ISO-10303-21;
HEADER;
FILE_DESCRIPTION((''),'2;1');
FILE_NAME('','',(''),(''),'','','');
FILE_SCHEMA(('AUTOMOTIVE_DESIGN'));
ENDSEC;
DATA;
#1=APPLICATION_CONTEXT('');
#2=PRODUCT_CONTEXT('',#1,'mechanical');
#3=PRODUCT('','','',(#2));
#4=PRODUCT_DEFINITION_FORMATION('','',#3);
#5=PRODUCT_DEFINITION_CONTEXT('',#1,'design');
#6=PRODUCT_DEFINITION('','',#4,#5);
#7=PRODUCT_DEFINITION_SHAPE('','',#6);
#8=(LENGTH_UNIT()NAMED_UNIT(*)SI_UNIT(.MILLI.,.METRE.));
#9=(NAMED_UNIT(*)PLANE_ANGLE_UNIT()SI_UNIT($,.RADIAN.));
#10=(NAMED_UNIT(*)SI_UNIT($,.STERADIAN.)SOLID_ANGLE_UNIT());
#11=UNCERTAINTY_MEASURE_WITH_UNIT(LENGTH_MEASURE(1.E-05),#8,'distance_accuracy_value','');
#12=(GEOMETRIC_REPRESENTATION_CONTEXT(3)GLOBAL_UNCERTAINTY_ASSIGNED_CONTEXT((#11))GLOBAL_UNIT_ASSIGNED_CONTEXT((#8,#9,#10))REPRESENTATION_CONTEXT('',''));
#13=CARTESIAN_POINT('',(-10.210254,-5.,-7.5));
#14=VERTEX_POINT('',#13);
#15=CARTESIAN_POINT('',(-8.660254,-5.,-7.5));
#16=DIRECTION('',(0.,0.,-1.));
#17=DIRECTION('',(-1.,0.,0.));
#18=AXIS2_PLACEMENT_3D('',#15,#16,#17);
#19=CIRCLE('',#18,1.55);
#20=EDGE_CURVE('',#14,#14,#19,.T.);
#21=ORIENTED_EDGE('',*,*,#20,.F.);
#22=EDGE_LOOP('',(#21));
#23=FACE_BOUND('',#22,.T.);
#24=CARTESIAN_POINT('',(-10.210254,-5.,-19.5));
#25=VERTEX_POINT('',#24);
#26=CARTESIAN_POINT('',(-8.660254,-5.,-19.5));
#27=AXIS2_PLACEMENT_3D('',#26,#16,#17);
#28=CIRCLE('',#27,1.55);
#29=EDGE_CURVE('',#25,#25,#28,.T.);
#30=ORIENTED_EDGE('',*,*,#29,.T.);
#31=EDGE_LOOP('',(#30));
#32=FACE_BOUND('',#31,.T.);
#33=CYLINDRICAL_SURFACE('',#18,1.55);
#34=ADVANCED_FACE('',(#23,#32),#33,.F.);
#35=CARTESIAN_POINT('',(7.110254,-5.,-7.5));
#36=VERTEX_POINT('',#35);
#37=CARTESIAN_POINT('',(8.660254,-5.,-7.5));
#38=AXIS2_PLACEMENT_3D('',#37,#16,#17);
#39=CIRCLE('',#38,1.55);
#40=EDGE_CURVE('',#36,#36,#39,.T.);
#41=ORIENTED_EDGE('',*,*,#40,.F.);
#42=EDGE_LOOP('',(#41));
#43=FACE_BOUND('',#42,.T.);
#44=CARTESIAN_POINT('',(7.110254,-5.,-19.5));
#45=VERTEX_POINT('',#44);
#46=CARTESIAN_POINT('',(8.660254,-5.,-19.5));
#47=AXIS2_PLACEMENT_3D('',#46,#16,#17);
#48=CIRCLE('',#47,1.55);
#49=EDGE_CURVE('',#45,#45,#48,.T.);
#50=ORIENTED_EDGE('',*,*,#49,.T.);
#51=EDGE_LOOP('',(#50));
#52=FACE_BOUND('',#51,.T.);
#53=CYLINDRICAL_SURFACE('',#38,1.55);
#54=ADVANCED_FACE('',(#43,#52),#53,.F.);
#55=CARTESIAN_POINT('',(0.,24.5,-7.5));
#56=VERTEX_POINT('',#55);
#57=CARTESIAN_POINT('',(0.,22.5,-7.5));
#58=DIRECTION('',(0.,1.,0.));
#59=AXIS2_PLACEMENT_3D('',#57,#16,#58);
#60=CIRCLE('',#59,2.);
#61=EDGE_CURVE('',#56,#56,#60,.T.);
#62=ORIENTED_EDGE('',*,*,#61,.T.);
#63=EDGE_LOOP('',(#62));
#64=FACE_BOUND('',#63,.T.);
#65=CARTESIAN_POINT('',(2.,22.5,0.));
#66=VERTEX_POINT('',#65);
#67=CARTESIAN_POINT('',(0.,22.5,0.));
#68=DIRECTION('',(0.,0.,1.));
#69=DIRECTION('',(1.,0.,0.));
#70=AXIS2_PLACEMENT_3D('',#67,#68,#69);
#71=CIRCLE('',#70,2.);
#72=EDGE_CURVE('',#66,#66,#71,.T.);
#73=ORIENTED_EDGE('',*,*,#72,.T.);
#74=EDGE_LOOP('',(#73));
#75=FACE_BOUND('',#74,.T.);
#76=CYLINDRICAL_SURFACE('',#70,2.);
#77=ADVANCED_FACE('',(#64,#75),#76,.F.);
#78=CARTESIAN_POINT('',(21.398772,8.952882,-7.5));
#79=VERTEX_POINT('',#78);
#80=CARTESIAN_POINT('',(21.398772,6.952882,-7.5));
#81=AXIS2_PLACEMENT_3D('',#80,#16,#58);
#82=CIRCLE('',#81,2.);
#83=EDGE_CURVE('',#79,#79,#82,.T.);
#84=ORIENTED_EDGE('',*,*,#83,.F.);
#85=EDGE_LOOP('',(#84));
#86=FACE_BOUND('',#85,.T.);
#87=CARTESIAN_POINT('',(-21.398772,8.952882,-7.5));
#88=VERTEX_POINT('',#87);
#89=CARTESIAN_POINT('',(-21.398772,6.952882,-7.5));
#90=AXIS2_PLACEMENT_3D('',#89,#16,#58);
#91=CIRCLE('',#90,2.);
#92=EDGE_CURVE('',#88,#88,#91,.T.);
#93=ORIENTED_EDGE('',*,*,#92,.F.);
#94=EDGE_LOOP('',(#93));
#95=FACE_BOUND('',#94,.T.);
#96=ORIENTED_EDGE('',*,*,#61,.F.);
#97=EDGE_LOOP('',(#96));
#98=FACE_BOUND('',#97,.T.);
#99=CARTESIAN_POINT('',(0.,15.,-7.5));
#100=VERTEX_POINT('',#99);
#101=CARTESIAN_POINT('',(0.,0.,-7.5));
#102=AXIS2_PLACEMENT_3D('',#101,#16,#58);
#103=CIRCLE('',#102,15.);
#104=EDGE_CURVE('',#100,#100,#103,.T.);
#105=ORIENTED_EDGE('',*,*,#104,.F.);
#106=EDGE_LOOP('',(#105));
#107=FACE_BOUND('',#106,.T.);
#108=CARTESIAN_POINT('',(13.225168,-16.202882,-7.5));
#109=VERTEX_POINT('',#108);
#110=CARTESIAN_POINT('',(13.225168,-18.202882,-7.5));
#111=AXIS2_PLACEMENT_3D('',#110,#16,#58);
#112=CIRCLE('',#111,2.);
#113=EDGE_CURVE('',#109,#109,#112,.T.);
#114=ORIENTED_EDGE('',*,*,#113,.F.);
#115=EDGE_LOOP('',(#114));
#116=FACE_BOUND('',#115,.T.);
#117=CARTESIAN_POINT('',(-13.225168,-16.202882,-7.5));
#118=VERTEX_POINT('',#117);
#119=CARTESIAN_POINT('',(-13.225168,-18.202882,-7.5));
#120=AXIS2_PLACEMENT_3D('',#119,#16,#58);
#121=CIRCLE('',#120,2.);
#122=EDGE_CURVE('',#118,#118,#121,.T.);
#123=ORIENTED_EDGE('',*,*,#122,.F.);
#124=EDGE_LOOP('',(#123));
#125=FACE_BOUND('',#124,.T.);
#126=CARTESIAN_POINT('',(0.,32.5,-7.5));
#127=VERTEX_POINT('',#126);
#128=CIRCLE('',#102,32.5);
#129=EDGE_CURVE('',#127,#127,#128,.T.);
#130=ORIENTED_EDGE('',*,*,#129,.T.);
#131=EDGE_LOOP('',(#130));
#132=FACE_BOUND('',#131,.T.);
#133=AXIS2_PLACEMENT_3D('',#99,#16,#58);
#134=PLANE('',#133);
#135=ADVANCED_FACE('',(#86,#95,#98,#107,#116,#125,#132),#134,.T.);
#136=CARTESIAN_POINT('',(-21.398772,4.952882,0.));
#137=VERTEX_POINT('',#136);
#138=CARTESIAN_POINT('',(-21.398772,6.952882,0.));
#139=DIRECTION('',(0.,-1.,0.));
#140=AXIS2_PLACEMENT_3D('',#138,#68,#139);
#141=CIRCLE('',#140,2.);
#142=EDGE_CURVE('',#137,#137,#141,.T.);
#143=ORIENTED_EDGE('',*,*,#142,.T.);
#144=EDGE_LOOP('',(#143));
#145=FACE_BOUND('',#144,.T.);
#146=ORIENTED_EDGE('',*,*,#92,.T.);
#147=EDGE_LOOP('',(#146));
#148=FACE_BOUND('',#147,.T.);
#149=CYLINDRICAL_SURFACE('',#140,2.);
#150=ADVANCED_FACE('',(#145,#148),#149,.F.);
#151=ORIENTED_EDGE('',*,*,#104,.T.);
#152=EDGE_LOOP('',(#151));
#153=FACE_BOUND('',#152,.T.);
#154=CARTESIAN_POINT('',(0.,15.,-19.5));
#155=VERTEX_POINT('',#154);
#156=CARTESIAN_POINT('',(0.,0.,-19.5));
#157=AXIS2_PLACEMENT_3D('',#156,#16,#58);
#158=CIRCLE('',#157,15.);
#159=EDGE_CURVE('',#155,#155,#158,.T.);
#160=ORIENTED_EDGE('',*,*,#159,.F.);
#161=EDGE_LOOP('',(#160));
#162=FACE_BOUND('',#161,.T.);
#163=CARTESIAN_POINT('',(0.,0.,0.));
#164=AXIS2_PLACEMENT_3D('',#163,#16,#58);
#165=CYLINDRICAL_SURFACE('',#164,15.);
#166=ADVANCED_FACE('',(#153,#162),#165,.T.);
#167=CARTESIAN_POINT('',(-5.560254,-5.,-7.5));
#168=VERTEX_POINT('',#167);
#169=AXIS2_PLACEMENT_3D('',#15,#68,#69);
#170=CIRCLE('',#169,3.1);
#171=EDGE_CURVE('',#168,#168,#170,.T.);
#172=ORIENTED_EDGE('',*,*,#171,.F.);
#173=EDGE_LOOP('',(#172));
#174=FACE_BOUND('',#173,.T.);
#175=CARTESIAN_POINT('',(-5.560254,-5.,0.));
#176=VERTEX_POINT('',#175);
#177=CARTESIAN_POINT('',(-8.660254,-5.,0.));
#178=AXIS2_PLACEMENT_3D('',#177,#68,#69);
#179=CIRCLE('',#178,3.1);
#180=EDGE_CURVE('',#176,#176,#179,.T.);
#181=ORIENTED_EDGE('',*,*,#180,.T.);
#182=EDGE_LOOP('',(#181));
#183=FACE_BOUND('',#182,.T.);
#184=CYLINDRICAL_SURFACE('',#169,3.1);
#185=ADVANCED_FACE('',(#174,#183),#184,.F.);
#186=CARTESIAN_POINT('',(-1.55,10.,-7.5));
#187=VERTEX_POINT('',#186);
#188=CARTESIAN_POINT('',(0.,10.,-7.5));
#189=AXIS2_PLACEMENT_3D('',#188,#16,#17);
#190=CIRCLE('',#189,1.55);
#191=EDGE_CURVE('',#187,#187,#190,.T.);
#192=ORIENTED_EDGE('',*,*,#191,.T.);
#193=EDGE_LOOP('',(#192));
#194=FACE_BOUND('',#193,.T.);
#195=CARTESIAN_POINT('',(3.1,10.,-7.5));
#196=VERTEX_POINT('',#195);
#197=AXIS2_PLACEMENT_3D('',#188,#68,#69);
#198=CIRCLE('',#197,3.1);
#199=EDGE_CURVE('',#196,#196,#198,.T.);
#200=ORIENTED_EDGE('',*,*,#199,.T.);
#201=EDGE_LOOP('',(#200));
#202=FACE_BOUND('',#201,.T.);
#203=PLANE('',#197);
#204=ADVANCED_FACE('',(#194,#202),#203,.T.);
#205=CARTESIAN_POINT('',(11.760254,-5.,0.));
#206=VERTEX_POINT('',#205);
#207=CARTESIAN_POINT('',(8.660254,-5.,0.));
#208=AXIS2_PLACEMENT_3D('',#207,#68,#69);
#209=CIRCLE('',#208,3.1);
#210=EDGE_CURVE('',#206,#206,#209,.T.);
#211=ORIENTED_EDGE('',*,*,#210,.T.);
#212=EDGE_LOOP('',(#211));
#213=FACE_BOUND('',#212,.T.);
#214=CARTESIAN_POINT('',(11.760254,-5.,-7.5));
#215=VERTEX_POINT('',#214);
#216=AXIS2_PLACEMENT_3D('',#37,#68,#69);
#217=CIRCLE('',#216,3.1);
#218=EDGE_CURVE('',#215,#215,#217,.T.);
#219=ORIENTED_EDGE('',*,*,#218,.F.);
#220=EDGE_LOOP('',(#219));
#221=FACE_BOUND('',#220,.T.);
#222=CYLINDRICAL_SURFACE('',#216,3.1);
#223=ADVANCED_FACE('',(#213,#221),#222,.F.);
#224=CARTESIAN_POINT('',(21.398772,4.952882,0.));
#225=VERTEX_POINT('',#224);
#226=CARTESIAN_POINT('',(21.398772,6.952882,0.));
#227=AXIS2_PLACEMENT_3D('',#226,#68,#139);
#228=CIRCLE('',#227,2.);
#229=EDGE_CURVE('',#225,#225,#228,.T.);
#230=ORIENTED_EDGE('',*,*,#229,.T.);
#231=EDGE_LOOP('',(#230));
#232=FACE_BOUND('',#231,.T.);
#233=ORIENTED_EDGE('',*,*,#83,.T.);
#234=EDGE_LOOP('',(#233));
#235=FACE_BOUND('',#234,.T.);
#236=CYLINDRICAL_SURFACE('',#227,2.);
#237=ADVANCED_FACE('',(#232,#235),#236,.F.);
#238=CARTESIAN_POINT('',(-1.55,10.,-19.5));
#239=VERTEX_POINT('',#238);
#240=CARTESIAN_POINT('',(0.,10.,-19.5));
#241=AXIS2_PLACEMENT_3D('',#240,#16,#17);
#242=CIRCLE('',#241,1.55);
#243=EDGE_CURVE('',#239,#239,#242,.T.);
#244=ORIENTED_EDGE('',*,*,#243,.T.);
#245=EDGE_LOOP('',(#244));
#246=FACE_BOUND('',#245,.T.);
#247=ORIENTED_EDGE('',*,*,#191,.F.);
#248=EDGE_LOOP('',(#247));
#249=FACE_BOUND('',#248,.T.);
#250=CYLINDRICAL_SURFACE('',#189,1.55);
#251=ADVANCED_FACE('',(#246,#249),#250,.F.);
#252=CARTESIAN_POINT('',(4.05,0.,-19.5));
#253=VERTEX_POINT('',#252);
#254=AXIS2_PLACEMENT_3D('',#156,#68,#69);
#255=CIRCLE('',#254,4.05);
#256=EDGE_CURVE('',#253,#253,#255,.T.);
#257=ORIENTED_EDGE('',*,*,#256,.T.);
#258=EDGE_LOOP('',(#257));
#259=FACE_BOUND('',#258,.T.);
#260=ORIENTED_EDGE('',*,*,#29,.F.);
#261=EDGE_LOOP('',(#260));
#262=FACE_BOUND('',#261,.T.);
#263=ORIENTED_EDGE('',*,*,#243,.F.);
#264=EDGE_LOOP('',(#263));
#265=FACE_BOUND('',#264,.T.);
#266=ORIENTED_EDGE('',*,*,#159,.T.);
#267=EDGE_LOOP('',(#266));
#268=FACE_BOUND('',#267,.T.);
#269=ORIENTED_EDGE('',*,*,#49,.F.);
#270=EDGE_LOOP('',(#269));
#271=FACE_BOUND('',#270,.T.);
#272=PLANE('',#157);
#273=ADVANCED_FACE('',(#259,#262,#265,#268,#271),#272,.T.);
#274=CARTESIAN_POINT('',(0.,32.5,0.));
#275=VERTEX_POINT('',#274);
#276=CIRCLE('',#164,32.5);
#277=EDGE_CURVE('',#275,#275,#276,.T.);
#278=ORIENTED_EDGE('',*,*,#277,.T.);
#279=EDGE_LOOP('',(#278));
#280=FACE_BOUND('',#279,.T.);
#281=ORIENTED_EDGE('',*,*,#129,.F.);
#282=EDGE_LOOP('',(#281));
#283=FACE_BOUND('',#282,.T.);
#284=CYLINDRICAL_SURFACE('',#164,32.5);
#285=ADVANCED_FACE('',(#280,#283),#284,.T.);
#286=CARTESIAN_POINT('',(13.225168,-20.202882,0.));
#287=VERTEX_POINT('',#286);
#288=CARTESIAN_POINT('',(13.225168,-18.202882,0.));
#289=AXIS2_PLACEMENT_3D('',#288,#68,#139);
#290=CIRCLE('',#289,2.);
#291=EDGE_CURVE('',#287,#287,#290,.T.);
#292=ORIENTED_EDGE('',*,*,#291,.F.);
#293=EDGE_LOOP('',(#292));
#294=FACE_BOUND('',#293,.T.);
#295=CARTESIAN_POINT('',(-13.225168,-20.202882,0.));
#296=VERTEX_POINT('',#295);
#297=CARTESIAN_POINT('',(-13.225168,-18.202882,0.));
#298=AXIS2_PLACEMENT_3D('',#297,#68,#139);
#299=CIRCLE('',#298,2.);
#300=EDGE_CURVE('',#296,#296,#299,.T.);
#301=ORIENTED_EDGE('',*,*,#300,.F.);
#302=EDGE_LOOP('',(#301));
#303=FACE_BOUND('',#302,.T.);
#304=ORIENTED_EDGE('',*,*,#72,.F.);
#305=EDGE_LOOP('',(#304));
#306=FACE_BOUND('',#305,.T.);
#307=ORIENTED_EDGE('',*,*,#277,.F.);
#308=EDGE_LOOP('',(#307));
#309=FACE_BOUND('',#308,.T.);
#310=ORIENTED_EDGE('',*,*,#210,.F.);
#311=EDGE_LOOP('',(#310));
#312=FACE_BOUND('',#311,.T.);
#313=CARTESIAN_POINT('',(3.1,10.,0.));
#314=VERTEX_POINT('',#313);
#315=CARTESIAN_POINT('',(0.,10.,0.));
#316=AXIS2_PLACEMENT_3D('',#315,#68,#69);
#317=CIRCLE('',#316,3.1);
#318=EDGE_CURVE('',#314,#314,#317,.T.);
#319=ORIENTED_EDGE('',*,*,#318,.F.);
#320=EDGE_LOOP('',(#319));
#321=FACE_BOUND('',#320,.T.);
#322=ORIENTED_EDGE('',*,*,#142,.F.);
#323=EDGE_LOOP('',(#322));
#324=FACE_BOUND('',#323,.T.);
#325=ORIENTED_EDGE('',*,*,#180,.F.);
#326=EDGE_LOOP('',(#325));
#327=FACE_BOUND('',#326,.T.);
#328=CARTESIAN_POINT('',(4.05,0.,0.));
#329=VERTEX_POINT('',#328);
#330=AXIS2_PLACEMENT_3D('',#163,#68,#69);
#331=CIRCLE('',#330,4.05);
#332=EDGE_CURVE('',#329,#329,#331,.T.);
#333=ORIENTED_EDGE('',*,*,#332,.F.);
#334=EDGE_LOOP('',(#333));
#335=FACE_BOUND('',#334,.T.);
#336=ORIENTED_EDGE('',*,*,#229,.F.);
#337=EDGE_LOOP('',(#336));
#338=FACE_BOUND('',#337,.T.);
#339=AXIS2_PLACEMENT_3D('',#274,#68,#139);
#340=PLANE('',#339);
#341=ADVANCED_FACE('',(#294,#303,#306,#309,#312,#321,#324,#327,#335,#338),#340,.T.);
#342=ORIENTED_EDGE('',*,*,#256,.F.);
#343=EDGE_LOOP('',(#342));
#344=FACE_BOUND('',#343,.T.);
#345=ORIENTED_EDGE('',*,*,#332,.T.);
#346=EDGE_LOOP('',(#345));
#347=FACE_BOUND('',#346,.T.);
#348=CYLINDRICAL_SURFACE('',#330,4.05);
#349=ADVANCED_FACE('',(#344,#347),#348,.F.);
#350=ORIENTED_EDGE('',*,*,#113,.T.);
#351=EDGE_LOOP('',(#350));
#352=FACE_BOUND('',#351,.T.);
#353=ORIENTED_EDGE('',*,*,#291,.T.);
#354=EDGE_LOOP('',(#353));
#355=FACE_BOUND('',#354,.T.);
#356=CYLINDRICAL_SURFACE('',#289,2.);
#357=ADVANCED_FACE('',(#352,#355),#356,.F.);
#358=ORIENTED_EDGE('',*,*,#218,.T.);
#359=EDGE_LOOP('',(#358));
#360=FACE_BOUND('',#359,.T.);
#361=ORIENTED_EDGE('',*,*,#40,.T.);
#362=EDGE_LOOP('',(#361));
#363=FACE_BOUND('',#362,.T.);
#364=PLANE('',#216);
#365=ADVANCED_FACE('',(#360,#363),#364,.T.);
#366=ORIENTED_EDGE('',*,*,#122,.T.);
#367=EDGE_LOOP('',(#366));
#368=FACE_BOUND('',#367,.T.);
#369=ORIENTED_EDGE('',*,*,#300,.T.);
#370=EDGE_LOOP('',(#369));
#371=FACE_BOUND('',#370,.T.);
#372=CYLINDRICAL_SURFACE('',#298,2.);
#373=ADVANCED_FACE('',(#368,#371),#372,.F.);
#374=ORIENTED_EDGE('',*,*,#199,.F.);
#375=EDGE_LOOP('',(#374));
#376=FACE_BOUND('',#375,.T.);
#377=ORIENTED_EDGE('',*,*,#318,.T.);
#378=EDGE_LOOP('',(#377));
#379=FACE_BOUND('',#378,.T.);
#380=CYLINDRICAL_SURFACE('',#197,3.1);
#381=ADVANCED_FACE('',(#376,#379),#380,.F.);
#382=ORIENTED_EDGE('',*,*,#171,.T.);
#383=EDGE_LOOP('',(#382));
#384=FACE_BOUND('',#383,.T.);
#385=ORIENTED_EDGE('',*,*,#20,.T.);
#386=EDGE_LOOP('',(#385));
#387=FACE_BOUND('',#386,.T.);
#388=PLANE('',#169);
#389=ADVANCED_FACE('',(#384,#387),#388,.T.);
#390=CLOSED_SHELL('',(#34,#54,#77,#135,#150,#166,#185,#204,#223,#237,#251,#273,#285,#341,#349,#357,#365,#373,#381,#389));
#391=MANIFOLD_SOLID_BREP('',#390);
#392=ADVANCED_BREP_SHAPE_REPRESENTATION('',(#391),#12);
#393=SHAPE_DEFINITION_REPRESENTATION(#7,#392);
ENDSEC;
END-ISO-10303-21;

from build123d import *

# Parameters (mm, degrees)
F_4_0_4_HEAT_INSERT_M3_D         = 4
F_8_1_8_1_DURCHMESSER_BOHRUNG1_D = 8.1
SKIZZE8_R                        = 1.55
SCHNITT_LINEAR_AUSTRAGEN1_DEPTH  = 12
KREISMUSTER1_COUNT               = 5
SKIZZE9_R                        = 3.1
SCHNITT_LINEAR_AUSTRAGEN2_DEPTH  = 7.5


with BuildPart() as part:
    # Skizze1 → Rotation1 (revolve)
    with BuildSketch(Plane(origin=(0, 0, 0), x_dir=(0, 0, -1), z_dir=(1, 0, 0))):
        Polygon((0, 0), (19.5, 0), (19.5, 15), (7.5, 15), (7.5, 32.5), (0, 32.5), align=None)
    revolve(axis=Axis((0, 0, 0), (0, 0, 1)))

    # Ø4.0 (4) Heat Insert M3 (through all)
    with Locations(Plane.XY):
        with Locations((0, 22.5)):
            f_4_0_4_heat_insert_m3 = Hole(F_4_0_4_HEAT_INSERT_M3_D / 2)

    # Ø8.1 (8.1) Durchmesser Bohrung1 (through all)
    with Locations(Plane.XY):
        with Locations((0, 0)):
            Hole(F_8_1_8_1_DURCHMESSER_BOHRUNG1_D / 2)

    # Skizze8 → Schnitt-Linear austragen1 (cut)
    with BuildSketch(Plane(origin=(0, 0, -19.5), x_dir=(-1, 0, 0), z_dir=(0, 0, -1))):
        with Locations((0, 10)):
            Circle(SKIZZE8_R)
        with Locations((8.660254038, -5)):
            Circle(SKIZZE8_R)
        with Locations((-8.660254038, -5)):
            Circle(SKIZZE8_R)
    extrude(amount=-SCHNITT_LINEAR_AUSTRAGEN1_DEPTH, mode=Mode.SUBTRACT)

    # Kreismuster1: Ø4.0 (4) Heat Insert M3 ×5 about axis
    kreismuster1_axis = Axis((0, 0, 0), (0, 0, 1))
    for i in range(1, KREISMUSTER1_COUNT):
        add(f_4_0_4_heat_insert_m3.rotate(kreismuster1_axis, i * 360 / KREISMUSTER1_COUNT), mode=Mode.SUBTRACT)

    # Skizze9 → Schnitt-Linear austragen2 (cut)
    with BuildSketch(Plane.XY):
        with Locations((0, 10)):
            Circle(SKIZZE9_R)
        with Locations((8.660254038, -5)):
            Circle(SKIZZE9_R)
        with Locations((-8.660254038, -5)):
            Circle(SKIZZE9_R)
    extrude(amount=-SCHNITT_LINEAR_AUSTRAGEN2_DEPTH, mode=Mode.SUBTRACT)


solid = part.part
